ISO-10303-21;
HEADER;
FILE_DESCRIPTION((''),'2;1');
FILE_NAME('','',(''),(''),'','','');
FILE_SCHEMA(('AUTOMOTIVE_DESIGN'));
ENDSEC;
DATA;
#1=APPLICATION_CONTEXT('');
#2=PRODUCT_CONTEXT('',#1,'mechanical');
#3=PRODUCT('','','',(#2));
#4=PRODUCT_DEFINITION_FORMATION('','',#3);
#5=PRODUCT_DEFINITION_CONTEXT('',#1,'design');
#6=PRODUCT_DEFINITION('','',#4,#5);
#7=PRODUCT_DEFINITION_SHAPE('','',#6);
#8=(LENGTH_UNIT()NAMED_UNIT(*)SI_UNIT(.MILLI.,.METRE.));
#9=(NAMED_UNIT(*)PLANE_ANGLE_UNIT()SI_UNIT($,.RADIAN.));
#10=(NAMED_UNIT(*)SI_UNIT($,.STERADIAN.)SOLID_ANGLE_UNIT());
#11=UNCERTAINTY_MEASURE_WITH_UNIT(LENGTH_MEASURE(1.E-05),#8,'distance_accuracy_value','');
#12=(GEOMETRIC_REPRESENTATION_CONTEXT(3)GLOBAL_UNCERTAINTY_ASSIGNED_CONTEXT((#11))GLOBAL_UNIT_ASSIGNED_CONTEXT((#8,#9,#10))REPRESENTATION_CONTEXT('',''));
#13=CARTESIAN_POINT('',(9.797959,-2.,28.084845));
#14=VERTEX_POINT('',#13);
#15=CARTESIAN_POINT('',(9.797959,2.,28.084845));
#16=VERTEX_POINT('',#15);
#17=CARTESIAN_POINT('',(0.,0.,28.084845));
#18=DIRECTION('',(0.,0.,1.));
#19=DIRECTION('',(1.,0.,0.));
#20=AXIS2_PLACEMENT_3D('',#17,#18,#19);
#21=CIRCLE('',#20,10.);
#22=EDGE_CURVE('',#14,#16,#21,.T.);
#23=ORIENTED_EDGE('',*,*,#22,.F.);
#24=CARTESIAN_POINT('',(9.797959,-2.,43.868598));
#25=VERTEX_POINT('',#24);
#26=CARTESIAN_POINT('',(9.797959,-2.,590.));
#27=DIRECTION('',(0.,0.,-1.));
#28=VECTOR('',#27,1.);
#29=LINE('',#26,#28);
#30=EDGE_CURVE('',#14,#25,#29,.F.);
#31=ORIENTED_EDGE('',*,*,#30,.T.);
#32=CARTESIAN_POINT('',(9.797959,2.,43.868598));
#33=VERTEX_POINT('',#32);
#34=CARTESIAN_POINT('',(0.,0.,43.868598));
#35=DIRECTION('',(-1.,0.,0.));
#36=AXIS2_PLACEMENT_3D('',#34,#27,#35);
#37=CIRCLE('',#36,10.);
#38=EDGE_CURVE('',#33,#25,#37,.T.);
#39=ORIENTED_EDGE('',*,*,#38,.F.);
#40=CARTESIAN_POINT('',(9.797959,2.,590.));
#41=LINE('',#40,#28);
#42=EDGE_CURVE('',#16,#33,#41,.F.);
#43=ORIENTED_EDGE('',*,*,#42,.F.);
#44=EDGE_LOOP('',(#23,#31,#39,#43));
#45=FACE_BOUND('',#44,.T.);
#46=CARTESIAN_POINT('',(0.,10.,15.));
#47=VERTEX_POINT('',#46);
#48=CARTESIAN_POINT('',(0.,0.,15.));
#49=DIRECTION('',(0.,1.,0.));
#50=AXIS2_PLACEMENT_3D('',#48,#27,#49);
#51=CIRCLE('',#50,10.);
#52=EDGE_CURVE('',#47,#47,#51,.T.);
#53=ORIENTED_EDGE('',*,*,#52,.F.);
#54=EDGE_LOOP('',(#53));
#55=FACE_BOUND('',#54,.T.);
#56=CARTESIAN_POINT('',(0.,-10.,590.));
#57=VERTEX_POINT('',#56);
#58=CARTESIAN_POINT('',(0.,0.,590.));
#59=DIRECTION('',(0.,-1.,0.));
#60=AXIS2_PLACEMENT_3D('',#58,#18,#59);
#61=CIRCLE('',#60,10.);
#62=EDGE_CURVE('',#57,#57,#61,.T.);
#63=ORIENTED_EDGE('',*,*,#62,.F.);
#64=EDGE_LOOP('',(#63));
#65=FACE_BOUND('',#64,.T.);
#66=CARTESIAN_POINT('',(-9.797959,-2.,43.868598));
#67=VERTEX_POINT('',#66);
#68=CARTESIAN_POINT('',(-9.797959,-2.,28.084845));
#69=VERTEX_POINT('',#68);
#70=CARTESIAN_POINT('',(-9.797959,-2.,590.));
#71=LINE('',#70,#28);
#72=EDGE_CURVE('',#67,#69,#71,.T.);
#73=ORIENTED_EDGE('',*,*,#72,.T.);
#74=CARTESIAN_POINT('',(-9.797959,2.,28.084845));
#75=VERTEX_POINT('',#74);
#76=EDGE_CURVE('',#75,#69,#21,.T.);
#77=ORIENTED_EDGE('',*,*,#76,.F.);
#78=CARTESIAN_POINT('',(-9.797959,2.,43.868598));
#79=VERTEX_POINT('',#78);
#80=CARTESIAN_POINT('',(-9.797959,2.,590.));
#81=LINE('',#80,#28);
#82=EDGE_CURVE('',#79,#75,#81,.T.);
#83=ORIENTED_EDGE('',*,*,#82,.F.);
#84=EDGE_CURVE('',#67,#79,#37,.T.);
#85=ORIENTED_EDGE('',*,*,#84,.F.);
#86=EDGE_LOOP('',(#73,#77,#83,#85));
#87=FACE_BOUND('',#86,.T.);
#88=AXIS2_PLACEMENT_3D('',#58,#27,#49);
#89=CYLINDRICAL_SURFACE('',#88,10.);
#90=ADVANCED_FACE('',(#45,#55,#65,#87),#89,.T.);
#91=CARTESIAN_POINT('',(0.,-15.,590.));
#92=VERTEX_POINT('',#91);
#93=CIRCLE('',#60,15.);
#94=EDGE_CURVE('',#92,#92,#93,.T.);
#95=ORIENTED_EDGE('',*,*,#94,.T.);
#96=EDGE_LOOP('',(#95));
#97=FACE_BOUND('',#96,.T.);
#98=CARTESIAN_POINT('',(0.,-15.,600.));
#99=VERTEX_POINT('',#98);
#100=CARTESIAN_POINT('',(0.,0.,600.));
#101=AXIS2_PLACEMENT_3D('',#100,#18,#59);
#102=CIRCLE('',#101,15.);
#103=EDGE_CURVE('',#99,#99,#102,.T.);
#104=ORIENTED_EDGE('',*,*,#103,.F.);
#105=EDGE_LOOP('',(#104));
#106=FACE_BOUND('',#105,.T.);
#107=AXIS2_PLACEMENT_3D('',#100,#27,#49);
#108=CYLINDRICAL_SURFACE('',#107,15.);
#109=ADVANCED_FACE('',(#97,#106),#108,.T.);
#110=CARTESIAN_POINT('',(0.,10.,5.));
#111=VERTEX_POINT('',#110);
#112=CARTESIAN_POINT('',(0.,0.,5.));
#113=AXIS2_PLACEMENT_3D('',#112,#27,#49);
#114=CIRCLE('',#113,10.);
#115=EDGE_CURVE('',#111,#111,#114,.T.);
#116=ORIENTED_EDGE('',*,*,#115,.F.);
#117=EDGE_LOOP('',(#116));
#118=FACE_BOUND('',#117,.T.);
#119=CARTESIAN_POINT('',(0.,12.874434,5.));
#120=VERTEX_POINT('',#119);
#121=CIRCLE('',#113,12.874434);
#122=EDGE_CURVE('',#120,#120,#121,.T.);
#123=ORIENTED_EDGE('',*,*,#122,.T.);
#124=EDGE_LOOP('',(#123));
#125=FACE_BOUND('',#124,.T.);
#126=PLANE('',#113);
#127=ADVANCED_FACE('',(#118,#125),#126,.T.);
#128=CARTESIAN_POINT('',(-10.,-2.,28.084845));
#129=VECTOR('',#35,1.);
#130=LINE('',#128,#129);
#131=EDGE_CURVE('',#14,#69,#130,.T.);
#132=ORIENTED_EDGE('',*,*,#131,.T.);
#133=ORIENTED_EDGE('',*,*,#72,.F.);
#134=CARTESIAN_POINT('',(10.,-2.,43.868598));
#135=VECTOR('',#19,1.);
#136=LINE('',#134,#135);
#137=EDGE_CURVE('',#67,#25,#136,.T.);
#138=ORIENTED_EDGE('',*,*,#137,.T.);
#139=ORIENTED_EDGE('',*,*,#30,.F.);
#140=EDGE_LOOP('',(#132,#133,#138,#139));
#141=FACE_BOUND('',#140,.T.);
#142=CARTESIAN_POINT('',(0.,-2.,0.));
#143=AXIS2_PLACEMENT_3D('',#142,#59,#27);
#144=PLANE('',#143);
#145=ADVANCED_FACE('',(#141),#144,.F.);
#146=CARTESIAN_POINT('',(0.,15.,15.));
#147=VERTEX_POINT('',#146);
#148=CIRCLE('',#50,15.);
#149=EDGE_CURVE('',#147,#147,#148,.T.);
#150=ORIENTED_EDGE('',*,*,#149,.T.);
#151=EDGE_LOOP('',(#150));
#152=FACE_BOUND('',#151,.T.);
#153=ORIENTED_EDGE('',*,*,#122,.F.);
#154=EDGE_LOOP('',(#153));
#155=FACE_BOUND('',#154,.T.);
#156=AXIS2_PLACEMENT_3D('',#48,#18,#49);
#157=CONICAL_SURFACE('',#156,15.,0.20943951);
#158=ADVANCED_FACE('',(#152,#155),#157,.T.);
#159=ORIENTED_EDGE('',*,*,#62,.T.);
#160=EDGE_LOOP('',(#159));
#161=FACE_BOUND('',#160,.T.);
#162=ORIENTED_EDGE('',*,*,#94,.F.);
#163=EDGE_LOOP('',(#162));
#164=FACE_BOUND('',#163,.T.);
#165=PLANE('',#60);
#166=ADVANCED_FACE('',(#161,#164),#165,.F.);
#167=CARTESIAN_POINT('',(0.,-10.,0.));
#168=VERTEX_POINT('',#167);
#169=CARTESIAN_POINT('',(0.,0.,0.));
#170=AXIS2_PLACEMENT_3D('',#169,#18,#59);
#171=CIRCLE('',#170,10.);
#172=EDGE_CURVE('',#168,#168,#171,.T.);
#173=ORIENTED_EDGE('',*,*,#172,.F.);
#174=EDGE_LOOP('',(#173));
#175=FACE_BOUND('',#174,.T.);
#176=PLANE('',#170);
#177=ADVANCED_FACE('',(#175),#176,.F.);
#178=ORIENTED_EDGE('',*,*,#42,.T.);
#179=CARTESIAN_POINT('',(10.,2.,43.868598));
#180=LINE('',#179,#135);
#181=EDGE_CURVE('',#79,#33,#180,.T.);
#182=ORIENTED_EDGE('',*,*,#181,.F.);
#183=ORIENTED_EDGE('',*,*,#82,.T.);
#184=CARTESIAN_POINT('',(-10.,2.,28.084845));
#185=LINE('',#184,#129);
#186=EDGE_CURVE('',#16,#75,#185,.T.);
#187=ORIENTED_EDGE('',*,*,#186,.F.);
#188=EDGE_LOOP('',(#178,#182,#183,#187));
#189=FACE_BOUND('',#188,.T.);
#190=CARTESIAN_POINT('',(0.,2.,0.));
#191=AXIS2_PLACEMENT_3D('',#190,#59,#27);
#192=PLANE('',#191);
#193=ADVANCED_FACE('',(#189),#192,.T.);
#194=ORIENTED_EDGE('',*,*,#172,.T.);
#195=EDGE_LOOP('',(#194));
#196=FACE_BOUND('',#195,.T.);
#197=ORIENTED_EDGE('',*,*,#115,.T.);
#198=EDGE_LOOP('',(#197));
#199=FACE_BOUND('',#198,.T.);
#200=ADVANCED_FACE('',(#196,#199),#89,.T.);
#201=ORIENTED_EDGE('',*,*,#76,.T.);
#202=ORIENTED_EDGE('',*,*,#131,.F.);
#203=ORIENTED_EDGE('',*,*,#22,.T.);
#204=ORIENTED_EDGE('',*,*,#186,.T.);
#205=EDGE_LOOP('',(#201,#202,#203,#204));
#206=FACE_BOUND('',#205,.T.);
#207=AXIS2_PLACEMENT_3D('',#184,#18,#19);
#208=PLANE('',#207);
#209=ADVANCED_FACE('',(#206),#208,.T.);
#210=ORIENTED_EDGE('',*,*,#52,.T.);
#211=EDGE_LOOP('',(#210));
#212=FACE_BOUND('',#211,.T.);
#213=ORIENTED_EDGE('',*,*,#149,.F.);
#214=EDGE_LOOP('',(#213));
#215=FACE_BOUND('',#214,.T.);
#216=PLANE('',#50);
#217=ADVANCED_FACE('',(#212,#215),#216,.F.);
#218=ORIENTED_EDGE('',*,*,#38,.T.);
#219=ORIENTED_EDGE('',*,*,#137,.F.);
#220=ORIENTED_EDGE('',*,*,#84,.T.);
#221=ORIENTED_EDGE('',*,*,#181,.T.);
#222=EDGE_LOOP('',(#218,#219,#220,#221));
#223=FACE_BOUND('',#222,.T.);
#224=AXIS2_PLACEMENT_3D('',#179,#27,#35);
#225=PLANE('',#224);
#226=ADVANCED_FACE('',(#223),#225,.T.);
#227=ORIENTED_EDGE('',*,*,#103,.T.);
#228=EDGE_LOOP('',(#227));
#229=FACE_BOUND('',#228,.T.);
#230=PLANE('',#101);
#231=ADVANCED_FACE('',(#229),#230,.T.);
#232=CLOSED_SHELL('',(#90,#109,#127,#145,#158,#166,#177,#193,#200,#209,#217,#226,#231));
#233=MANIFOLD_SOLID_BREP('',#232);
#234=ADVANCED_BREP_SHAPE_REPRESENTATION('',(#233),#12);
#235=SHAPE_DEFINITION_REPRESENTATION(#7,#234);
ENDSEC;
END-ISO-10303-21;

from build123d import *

# Parameters (mm, degrees)
SKETCH1_R               = 10
BOSS_EXTRUDE1_DEPTH     = 590
SKETCH2_R               = 15
BOSS_EXTRUDE2_DEPTH     = 10
SKETCH3_R               = 15
BOSS_EXTRUDE3_DEPTH     = 10
BOSS_EXTRUDE3_TAPER     = 12
BODY_MOVE_COPY1_ANGLE   = 90
CUT_EXTRUDE1_DEPTH      = 2
CUT_EXTRUDE1_DEPTH_BACK = 2
SKETCH4_W               = 20
SKETCH4_H               = 15.783753313


with BuildPart() as part:
    # Sketch1 → Boss-Extrude1 (new body)
    with BuildSketch(Plane(origin=(0, 0, 0), x_dir=(1, 0, 0), z_dir=(0, 1, 0))):
        Circle(SKETCH1_R)
    extrude(amount=BOSS_EXTRUDE1_DEPTH)

    # Sketch2 → Boss-Extrude2 (add)
    with BuildSketch(Plane(origin=(0, 590, 0), x_dir=(1, 0, 0), z_dir=(0, 1, 0))):
        Circle(SKETCH2_R)
    extrude(amount=BOSS_EXTRUDE2_DEPTH)

    # Sketch3 → Boss-Extrude3 (add)
    with BuildSketch(Plane(origin=(0, 15, 0), x_dir=(-1, 0, 0), z_dir=(0, -1, 0))):
        Circle(SKETCH3_R)
    extrude(amount=BOSS_EXTRUDE3_DEPTH, taper=BOSS_EXTRUDE3_TAPER)


with BuildPart() as part_1:
    # Body-Move/Copy1: moved
    add(part.part.rotate(Axis((0, 0, 0), (1, 0, 0)), BODY_MOVE_COPY1_ANGLE))

    # Sketch4 → Cut-Extrude1 (cut, two sides: drawn at the far end of the back side and taken through both)
    with BuildSketch(Plane(origin=(0, 0, 0), x_dir=(1, 0, 0), z_dir=(0, 1, 0)).offset(-CUT_EXTRUDE1_DEPTH_BACK)):
        with Locations((0, -35.976721821)):
            Rectangle(SKETCH4_W, SKETCH4_H)
    extrude(amount=CUT_EXTRUDE1_DEPTH + CUT_EXTRUDE1_DEPTH_BACK, mode=Mode.SUBTRACT)


solid = part_1.part
